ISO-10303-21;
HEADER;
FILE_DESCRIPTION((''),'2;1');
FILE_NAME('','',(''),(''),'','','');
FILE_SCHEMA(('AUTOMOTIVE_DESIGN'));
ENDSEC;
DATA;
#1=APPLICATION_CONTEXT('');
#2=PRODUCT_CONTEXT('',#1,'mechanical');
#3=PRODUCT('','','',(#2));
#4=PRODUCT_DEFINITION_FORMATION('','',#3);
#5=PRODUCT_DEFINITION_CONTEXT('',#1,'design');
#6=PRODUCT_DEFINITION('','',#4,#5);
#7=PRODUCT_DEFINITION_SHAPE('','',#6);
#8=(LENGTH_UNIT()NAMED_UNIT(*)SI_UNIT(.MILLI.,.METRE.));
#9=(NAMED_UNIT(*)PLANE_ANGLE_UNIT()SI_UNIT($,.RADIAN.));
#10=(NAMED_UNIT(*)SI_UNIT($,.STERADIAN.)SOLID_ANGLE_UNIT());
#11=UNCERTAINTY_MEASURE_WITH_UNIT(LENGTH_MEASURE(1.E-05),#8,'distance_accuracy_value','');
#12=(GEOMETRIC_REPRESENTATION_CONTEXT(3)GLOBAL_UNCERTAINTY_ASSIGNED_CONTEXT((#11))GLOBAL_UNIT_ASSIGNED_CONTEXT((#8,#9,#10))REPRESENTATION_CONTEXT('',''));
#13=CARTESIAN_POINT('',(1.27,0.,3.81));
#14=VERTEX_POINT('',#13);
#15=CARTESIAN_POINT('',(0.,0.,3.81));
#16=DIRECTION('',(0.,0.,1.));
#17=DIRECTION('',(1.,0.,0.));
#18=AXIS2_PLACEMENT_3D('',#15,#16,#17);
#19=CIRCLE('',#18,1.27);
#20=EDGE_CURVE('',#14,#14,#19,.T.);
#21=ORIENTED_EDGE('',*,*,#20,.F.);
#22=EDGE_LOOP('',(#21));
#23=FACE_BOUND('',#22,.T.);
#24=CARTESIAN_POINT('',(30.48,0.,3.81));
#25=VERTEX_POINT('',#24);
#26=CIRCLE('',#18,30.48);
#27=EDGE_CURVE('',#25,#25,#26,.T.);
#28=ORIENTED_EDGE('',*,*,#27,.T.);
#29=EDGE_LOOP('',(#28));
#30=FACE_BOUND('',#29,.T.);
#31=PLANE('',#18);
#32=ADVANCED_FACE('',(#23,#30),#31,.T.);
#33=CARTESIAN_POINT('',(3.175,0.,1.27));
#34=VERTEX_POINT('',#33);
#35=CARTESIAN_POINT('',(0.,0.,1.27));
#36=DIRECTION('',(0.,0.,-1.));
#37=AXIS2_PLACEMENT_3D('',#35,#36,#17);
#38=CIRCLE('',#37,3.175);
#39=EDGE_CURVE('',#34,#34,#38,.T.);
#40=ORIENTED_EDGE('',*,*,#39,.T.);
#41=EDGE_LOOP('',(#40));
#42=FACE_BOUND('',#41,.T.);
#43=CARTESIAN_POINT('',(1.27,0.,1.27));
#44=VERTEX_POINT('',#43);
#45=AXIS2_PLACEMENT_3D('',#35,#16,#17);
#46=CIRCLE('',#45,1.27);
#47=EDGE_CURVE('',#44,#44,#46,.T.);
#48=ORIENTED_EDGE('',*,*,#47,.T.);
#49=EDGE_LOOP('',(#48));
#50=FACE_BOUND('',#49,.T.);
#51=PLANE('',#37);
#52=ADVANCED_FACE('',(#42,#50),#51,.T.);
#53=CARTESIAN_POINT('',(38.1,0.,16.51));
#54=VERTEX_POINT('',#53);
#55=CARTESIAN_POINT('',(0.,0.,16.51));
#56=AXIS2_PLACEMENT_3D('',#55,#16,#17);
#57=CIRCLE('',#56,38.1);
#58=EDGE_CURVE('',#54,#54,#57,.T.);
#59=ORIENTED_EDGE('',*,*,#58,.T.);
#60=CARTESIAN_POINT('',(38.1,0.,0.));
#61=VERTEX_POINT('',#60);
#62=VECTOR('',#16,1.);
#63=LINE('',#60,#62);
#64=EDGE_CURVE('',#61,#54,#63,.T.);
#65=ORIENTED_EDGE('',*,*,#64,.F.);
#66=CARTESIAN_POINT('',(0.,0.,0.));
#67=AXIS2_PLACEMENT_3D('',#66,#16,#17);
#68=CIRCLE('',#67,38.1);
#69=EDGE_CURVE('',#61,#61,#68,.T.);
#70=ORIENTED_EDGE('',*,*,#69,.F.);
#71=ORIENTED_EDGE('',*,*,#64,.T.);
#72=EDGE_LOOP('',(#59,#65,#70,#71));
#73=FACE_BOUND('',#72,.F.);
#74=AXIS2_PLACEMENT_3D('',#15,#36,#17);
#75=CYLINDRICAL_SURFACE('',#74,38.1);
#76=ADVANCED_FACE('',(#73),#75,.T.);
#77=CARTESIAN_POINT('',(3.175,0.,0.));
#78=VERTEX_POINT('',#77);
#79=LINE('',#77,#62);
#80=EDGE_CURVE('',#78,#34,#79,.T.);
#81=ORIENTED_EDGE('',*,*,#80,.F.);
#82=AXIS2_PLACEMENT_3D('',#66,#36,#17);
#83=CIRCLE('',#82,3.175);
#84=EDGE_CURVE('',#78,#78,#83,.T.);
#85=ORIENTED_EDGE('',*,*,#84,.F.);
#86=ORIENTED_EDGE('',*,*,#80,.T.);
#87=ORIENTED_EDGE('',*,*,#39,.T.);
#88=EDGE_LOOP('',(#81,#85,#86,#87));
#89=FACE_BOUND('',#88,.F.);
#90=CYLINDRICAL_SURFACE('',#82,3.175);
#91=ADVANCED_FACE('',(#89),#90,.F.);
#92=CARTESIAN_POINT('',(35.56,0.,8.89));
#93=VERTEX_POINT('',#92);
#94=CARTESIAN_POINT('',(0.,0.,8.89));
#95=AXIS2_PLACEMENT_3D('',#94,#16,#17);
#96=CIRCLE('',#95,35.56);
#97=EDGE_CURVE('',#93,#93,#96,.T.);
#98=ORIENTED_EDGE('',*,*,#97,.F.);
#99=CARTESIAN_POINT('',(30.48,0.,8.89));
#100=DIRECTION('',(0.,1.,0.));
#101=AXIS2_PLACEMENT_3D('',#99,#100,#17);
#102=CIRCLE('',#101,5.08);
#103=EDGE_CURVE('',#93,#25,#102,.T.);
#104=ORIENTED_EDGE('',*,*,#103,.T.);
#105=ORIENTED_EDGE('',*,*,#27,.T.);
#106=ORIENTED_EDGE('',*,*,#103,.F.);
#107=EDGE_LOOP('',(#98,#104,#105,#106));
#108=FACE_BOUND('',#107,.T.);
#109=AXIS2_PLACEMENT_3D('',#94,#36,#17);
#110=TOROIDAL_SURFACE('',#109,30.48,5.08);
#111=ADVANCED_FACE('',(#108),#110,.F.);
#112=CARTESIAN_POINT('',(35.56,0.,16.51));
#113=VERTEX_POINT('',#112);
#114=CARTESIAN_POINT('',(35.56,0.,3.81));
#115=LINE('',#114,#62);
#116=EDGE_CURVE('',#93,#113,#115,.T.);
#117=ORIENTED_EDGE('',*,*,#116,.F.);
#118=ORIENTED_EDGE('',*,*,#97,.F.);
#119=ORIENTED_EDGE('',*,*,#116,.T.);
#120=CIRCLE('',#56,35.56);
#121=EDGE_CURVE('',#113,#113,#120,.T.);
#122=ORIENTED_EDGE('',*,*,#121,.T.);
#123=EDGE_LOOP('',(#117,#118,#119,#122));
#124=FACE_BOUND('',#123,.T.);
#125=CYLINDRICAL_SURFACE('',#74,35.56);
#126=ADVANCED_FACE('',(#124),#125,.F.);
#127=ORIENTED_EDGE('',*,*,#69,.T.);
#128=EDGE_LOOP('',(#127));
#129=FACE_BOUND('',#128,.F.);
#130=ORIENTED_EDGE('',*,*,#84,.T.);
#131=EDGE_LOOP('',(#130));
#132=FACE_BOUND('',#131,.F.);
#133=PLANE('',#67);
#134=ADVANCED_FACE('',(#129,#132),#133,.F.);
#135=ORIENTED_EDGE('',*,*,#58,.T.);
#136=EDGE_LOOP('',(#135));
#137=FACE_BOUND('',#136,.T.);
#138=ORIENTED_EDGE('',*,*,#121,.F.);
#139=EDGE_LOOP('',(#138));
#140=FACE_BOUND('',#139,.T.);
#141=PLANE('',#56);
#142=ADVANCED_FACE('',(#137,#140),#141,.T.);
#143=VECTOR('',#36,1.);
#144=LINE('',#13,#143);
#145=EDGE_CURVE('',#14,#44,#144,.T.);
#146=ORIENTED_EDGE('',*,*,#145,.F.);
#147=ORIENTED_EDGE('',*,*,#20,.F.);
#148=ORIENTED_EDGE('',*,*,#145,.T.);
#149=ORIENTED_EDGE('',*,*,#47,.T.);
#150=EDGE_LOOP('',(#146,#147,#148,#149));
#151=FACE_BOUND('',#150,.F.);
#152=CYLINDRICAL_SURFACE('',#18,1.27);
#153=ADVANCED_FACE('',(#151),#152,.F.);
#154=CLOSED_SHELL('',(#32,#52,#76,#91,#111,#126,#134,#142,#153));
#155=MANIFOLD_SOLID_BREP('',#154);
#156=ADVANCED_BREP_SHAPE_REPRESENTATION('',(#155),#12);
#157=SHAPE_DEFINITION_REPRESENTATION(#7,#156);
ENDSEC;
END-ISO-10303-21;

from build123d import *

# Parameters (mm, degrees)
F0_R     = 38.1
F1_DEPTH = 3.81
F2_R     = 38.1
F2_R_2   = 35.56
F3_DEPTH = 12.7
F4_R     = 5.08
F5_R     = 1.27
F6_DEPTH = 25.4
F7_R     = 3.175
F8_DEPTH = 1.27


with BuildPart() as f1:
    # F0 (on Top) → F1 (new body)
    with BuildSketch(Plane.XY):
        Circle(F0_R)
    extrude(amount=F1_DEPTH)

    # F2 (on face) → F3 (join)
    with BuildSketch(Plane.XY.offset(3.81)):
        Circle(F2_R)
        Circle(F2_R_2, mode=Mode.SUBTRACT)
    extrude(amount=F3_DEPTH)

    # F4
    f4_edges = [f1.edges().sort_by_distance(p)[0] for p in [
        (-35.56, 0, 3.81),
    ]]
    fillet(f4_edges, radius=F4_R)

    # F5 (on face) → F6 (cut)
    with BuildSketch(Plane.XY.offset(3.81)):
        Circle(F5_R)
    extrude(amount=-F6_DEPTH, mode=Mode.SUBTRACT)

    # F7 (on face) → F8 (cut)
    with BuildSketch(Plane(origin=(0, 0, 0), x_dir=(1, 0, 0), z_dir=(0, 0, -1))):
        Circle(F7_R)
    extrude(amount=-F8_DEPTH, mode=Mode.SUBTRACT)


solid = f1.part
